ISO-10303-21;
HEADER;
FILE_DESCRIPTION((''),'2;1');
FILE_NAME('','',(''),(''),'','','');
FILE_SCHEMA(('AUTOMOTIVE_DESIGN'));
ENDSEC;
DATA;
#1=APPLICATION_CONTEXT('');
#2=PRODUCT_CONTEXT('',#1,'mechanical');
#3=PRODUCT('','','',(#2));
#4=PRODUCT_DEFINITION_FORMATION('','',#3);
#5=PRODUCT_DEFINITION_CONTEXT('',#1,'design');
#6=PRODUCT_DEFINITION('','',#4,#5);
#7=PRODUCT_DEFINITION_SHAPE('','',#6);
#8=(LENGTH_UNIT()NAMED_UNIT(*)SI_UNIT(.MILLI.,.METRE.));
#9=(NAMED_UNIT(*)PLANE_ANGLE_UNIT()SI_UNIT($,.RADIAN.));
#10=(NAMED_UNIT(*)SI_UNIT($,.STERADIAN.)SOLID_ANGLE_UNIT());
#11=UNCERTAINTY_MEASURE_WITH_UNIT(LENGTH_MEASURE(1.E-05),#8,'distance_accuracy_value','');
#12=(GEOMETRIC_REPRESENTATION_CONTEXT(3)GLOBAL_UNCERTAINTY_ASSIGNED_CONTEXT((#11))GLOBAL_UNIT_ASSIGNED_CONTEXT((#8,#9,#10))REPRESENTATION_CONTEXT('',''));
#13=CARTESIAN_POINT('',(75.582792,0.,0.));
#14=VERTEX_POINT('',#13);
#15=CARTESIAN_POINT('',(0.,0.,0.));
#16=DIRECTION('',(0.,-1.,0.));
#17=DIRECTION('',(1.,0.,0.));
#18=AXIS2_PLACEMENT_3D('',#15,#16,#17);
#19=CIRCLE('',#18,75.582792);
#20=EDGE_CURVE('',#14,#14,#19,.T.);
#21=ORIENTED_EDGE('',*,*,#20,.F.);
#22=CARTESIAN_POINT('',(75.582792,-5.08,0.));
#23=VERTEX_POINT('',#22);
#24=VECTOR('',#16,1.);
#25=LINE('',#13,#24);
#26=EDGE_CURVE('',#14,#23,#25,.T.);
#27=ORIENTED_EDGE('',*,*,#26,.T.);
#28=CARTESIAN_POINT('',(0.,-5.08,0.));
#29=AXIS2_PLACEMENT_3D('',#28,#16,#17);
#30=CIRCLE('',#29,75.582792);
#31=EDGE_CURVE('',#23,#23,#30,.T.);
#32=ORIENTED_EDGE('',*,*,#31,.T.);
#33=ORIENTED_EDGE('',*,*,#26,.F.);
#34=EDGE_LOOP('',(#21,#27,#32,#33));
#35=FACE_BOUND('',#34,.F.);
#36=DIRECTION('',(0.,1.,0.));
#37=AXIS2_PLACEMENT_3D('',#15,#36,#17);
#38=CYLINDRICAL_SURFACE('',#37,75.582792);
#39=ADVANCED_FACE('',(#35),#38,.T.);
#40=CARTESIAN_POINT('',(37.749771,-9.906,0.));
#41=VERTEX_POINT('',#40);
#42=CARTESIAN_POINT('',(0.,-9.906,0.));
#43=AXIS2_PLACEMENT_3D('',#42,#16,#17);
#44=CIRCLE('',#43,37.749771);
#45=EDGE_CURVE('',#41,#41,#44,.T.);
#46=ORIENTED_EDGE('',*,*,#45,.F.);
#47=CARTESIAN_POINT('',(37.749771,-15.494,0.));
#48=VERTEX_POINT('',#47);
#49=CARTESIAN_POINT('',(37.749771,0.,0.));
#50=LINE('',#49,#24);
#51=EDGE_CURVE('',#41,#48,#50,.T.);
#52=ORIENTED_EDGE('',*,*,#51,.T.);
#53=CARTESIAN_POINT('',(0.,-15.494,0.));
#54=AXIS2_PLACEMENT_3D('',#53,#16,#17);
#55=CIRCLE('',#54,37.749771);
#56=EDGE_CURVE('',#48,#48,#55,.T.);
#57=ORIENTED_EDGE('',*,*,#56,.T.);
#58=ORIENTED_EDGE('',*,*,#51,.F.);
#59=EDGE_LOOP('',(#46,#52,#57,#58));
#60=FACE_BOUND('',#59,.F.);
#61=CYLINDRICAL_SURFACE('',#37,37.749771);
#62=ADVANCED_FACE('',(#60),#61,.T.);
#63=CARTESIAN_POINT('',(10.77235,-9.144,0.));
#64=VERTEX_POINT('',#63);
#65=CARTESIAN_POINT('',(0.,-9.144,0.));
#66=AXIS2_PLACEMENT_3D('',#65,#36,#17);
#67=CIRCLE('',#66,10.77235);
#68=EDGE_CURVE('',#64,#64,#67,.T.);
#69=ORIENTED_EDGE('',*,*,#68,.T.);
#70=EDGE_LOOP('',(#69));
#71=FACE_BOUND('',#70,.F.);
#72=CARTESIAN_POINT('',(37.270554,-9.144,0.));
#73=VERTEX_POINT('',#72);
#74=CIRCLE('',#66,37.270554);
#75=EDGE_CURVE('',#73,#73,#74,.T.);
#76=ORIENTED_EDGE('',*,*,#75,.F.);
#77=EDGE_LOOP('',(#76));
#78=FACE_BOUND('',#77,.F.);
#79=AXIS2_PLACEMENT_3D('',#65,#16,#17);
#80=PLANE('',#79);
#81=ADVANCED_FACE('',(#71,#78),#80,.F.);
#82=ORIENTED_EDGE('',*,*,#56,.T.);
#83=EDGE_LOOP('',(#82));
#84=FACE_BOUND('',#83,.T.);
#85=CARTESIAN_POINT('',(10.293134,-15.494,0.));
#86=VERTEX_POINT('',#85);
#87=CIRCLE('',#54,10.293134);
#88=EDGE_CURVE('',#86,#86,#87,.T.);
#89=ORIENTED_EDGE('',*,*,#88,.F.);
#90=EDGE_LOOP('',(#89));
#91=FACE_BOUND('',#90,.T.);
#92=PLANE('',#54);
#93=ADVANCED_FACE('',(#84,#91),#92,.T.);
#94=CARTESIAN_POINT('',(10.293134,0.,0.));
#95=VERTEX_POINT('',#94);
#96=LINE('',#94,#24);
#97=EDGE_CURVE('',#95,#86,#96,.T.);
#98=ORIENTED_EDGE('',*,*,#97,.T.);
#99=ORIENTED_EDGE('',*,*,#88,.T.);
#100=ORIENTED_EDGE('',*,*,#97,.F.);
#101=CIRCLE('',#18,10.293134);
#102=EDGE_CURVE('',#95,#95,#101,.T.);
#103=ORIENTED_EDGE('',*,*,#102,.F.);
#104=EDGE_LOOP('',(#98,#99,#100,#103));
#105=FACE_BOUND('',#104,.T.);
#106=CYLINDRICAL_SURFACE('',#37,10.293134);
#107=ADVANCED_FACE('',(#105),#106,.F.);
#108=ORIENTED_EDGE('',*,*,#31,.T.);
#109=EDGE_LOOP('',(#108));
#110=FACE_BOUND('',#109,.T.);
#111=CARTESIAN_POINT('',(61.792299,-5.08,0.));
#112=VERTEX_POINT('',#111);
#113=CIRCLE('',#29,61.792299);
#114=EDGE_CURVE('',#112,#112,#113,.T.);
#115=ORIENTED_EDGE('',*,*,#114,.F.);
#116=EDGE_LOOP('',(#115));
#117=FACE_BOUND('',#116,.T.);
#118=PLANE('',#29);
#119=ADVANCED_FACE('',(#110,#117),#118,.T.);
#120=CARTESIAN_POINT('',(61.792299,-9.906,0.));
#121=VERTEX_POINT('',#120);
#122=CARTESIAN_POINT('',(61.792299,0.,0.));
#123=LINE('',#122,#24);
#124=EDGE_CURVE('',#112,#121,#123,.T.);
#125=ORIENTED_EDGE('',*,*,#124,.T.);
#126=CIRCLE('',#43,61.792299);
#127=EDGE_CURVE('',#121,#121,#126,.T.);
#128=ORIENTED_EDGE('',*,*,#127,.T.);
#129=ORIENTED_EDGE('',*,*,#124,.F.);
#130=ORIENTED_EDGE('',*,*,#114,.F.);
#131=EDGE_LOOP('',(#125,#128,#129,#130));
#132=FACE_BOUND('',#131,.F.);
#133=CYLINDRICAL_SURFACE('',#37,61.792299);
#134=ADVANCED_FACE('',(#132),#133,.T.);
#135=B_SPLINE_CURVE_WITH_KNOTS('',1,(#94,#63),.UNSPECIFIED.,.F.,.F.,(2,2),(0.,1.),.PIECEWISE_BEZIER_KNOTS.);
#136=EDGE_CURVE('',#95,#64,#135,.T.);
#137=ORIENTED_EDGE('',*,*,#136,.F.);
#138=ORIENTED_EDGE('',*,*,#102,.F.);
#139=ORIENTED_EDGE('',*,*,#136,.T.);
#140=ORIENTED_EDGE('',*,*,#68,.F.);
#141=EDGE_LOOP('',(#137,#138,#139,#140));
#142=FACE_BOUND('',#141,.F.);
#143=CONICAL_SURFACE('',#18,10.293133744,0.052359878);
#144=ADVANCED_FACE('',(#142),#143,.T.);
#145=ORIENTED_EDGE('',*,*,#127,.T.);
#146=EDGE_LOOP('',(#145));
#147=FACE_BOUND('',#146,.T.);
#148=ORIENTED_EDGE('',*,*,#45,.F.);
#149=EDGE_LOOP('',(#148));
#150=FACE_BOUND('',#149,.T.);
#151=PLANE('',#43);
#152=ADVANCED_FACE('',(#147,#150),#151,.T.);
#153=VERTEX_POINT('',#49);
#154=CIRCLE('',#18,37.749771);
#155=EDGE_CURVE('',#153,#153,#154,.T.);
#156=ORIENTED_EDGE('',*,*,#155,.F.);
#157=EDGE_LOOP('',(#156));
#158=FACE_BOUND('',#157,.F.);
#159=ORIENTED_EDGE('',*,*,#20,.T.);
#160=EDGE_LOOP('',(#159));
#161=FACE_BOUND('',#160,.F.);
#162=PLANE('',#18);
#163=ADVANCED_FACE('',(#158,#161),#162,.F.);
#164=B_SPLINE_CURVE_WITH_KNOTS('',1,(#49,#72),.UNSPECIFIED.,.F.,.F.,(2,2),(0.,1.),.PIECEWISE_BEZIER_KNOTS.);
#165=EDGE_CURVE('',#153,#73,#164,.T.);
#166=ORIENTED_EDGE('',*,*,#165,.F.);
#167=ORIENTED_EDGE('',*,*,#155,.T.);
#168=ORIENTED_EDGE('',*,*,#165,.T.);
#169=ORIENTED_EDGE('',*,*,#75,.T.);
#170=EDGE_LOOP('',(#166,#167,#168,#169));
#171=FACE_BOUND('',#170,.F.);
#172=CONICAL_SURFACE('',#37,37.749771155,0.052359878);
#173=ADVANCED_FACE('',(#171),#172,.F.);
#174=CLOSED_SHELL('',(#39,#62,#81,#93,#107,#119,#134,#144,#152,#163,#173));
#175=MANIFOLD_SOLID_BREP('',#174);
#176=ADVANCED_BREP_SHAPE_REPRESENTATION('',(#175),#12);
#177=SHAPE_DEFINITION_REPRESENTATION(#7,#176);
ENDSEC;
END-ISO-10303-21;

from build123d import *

# Parameters (mm, degrees)
F0_R     = 75.5827918499
F0_R_2   = 61.792299123
F1_DEPTH = 5.08
F0_R_3   = 37.749771155
F2_DEPTH = 9.906
F0_R_4   = 10.2931337437
F3_DEPTH = 15.494
F4_DEPTH = 9.906
F5_DEPTH = 9.144
F5_TAPER = 3


with BuildPart() as f1:
    # F0 (on Front) → F1 (new body)
    with BuildSketch(Plane.XZ):
        Circle(F0_R)
        Circle(F0_R_2, mode=Mode.SUBTRACT)
    extrude(amount=F1_DEPTH)

    # F0 (on Front) → F2 (join)
    with BuildSketch(Plane.XZ):
        Circle(F0_R_2)
        Circle(F0_R_3, mode=Mode.SUBTRACT)
    extrude(amount=F2_DEPTH)

    # F0 (on Front) → F3 (join)
    with BuildSketch(Plane.XZ):
        Circle(F0_R_3)
        Circle(F0_R_4, mode=Mode.SUBTRACT)
    extrude(amount=F3_DEPTH)

    # F0 (on Front) → F4 (join)
    with BuildSketch(Plane.XZ):
        Circle(F0_R_3)
        Circle(F0_R_4, mode=Mode.SUBTRACT)
    extrude(amount=F4_DEPTH)

    # F0 (on Front) → F5 (cut)
    with BuildSketch(Plane.XZ):
        Circle(F0_R_3)
        Circle(F0_R_4, mode=Mode.SUBTRACT)
    extrude(amount=F5_DEPTH, taper=F5_TAPER, mode=Mode.SUBTRACT)


solid = f1.part
